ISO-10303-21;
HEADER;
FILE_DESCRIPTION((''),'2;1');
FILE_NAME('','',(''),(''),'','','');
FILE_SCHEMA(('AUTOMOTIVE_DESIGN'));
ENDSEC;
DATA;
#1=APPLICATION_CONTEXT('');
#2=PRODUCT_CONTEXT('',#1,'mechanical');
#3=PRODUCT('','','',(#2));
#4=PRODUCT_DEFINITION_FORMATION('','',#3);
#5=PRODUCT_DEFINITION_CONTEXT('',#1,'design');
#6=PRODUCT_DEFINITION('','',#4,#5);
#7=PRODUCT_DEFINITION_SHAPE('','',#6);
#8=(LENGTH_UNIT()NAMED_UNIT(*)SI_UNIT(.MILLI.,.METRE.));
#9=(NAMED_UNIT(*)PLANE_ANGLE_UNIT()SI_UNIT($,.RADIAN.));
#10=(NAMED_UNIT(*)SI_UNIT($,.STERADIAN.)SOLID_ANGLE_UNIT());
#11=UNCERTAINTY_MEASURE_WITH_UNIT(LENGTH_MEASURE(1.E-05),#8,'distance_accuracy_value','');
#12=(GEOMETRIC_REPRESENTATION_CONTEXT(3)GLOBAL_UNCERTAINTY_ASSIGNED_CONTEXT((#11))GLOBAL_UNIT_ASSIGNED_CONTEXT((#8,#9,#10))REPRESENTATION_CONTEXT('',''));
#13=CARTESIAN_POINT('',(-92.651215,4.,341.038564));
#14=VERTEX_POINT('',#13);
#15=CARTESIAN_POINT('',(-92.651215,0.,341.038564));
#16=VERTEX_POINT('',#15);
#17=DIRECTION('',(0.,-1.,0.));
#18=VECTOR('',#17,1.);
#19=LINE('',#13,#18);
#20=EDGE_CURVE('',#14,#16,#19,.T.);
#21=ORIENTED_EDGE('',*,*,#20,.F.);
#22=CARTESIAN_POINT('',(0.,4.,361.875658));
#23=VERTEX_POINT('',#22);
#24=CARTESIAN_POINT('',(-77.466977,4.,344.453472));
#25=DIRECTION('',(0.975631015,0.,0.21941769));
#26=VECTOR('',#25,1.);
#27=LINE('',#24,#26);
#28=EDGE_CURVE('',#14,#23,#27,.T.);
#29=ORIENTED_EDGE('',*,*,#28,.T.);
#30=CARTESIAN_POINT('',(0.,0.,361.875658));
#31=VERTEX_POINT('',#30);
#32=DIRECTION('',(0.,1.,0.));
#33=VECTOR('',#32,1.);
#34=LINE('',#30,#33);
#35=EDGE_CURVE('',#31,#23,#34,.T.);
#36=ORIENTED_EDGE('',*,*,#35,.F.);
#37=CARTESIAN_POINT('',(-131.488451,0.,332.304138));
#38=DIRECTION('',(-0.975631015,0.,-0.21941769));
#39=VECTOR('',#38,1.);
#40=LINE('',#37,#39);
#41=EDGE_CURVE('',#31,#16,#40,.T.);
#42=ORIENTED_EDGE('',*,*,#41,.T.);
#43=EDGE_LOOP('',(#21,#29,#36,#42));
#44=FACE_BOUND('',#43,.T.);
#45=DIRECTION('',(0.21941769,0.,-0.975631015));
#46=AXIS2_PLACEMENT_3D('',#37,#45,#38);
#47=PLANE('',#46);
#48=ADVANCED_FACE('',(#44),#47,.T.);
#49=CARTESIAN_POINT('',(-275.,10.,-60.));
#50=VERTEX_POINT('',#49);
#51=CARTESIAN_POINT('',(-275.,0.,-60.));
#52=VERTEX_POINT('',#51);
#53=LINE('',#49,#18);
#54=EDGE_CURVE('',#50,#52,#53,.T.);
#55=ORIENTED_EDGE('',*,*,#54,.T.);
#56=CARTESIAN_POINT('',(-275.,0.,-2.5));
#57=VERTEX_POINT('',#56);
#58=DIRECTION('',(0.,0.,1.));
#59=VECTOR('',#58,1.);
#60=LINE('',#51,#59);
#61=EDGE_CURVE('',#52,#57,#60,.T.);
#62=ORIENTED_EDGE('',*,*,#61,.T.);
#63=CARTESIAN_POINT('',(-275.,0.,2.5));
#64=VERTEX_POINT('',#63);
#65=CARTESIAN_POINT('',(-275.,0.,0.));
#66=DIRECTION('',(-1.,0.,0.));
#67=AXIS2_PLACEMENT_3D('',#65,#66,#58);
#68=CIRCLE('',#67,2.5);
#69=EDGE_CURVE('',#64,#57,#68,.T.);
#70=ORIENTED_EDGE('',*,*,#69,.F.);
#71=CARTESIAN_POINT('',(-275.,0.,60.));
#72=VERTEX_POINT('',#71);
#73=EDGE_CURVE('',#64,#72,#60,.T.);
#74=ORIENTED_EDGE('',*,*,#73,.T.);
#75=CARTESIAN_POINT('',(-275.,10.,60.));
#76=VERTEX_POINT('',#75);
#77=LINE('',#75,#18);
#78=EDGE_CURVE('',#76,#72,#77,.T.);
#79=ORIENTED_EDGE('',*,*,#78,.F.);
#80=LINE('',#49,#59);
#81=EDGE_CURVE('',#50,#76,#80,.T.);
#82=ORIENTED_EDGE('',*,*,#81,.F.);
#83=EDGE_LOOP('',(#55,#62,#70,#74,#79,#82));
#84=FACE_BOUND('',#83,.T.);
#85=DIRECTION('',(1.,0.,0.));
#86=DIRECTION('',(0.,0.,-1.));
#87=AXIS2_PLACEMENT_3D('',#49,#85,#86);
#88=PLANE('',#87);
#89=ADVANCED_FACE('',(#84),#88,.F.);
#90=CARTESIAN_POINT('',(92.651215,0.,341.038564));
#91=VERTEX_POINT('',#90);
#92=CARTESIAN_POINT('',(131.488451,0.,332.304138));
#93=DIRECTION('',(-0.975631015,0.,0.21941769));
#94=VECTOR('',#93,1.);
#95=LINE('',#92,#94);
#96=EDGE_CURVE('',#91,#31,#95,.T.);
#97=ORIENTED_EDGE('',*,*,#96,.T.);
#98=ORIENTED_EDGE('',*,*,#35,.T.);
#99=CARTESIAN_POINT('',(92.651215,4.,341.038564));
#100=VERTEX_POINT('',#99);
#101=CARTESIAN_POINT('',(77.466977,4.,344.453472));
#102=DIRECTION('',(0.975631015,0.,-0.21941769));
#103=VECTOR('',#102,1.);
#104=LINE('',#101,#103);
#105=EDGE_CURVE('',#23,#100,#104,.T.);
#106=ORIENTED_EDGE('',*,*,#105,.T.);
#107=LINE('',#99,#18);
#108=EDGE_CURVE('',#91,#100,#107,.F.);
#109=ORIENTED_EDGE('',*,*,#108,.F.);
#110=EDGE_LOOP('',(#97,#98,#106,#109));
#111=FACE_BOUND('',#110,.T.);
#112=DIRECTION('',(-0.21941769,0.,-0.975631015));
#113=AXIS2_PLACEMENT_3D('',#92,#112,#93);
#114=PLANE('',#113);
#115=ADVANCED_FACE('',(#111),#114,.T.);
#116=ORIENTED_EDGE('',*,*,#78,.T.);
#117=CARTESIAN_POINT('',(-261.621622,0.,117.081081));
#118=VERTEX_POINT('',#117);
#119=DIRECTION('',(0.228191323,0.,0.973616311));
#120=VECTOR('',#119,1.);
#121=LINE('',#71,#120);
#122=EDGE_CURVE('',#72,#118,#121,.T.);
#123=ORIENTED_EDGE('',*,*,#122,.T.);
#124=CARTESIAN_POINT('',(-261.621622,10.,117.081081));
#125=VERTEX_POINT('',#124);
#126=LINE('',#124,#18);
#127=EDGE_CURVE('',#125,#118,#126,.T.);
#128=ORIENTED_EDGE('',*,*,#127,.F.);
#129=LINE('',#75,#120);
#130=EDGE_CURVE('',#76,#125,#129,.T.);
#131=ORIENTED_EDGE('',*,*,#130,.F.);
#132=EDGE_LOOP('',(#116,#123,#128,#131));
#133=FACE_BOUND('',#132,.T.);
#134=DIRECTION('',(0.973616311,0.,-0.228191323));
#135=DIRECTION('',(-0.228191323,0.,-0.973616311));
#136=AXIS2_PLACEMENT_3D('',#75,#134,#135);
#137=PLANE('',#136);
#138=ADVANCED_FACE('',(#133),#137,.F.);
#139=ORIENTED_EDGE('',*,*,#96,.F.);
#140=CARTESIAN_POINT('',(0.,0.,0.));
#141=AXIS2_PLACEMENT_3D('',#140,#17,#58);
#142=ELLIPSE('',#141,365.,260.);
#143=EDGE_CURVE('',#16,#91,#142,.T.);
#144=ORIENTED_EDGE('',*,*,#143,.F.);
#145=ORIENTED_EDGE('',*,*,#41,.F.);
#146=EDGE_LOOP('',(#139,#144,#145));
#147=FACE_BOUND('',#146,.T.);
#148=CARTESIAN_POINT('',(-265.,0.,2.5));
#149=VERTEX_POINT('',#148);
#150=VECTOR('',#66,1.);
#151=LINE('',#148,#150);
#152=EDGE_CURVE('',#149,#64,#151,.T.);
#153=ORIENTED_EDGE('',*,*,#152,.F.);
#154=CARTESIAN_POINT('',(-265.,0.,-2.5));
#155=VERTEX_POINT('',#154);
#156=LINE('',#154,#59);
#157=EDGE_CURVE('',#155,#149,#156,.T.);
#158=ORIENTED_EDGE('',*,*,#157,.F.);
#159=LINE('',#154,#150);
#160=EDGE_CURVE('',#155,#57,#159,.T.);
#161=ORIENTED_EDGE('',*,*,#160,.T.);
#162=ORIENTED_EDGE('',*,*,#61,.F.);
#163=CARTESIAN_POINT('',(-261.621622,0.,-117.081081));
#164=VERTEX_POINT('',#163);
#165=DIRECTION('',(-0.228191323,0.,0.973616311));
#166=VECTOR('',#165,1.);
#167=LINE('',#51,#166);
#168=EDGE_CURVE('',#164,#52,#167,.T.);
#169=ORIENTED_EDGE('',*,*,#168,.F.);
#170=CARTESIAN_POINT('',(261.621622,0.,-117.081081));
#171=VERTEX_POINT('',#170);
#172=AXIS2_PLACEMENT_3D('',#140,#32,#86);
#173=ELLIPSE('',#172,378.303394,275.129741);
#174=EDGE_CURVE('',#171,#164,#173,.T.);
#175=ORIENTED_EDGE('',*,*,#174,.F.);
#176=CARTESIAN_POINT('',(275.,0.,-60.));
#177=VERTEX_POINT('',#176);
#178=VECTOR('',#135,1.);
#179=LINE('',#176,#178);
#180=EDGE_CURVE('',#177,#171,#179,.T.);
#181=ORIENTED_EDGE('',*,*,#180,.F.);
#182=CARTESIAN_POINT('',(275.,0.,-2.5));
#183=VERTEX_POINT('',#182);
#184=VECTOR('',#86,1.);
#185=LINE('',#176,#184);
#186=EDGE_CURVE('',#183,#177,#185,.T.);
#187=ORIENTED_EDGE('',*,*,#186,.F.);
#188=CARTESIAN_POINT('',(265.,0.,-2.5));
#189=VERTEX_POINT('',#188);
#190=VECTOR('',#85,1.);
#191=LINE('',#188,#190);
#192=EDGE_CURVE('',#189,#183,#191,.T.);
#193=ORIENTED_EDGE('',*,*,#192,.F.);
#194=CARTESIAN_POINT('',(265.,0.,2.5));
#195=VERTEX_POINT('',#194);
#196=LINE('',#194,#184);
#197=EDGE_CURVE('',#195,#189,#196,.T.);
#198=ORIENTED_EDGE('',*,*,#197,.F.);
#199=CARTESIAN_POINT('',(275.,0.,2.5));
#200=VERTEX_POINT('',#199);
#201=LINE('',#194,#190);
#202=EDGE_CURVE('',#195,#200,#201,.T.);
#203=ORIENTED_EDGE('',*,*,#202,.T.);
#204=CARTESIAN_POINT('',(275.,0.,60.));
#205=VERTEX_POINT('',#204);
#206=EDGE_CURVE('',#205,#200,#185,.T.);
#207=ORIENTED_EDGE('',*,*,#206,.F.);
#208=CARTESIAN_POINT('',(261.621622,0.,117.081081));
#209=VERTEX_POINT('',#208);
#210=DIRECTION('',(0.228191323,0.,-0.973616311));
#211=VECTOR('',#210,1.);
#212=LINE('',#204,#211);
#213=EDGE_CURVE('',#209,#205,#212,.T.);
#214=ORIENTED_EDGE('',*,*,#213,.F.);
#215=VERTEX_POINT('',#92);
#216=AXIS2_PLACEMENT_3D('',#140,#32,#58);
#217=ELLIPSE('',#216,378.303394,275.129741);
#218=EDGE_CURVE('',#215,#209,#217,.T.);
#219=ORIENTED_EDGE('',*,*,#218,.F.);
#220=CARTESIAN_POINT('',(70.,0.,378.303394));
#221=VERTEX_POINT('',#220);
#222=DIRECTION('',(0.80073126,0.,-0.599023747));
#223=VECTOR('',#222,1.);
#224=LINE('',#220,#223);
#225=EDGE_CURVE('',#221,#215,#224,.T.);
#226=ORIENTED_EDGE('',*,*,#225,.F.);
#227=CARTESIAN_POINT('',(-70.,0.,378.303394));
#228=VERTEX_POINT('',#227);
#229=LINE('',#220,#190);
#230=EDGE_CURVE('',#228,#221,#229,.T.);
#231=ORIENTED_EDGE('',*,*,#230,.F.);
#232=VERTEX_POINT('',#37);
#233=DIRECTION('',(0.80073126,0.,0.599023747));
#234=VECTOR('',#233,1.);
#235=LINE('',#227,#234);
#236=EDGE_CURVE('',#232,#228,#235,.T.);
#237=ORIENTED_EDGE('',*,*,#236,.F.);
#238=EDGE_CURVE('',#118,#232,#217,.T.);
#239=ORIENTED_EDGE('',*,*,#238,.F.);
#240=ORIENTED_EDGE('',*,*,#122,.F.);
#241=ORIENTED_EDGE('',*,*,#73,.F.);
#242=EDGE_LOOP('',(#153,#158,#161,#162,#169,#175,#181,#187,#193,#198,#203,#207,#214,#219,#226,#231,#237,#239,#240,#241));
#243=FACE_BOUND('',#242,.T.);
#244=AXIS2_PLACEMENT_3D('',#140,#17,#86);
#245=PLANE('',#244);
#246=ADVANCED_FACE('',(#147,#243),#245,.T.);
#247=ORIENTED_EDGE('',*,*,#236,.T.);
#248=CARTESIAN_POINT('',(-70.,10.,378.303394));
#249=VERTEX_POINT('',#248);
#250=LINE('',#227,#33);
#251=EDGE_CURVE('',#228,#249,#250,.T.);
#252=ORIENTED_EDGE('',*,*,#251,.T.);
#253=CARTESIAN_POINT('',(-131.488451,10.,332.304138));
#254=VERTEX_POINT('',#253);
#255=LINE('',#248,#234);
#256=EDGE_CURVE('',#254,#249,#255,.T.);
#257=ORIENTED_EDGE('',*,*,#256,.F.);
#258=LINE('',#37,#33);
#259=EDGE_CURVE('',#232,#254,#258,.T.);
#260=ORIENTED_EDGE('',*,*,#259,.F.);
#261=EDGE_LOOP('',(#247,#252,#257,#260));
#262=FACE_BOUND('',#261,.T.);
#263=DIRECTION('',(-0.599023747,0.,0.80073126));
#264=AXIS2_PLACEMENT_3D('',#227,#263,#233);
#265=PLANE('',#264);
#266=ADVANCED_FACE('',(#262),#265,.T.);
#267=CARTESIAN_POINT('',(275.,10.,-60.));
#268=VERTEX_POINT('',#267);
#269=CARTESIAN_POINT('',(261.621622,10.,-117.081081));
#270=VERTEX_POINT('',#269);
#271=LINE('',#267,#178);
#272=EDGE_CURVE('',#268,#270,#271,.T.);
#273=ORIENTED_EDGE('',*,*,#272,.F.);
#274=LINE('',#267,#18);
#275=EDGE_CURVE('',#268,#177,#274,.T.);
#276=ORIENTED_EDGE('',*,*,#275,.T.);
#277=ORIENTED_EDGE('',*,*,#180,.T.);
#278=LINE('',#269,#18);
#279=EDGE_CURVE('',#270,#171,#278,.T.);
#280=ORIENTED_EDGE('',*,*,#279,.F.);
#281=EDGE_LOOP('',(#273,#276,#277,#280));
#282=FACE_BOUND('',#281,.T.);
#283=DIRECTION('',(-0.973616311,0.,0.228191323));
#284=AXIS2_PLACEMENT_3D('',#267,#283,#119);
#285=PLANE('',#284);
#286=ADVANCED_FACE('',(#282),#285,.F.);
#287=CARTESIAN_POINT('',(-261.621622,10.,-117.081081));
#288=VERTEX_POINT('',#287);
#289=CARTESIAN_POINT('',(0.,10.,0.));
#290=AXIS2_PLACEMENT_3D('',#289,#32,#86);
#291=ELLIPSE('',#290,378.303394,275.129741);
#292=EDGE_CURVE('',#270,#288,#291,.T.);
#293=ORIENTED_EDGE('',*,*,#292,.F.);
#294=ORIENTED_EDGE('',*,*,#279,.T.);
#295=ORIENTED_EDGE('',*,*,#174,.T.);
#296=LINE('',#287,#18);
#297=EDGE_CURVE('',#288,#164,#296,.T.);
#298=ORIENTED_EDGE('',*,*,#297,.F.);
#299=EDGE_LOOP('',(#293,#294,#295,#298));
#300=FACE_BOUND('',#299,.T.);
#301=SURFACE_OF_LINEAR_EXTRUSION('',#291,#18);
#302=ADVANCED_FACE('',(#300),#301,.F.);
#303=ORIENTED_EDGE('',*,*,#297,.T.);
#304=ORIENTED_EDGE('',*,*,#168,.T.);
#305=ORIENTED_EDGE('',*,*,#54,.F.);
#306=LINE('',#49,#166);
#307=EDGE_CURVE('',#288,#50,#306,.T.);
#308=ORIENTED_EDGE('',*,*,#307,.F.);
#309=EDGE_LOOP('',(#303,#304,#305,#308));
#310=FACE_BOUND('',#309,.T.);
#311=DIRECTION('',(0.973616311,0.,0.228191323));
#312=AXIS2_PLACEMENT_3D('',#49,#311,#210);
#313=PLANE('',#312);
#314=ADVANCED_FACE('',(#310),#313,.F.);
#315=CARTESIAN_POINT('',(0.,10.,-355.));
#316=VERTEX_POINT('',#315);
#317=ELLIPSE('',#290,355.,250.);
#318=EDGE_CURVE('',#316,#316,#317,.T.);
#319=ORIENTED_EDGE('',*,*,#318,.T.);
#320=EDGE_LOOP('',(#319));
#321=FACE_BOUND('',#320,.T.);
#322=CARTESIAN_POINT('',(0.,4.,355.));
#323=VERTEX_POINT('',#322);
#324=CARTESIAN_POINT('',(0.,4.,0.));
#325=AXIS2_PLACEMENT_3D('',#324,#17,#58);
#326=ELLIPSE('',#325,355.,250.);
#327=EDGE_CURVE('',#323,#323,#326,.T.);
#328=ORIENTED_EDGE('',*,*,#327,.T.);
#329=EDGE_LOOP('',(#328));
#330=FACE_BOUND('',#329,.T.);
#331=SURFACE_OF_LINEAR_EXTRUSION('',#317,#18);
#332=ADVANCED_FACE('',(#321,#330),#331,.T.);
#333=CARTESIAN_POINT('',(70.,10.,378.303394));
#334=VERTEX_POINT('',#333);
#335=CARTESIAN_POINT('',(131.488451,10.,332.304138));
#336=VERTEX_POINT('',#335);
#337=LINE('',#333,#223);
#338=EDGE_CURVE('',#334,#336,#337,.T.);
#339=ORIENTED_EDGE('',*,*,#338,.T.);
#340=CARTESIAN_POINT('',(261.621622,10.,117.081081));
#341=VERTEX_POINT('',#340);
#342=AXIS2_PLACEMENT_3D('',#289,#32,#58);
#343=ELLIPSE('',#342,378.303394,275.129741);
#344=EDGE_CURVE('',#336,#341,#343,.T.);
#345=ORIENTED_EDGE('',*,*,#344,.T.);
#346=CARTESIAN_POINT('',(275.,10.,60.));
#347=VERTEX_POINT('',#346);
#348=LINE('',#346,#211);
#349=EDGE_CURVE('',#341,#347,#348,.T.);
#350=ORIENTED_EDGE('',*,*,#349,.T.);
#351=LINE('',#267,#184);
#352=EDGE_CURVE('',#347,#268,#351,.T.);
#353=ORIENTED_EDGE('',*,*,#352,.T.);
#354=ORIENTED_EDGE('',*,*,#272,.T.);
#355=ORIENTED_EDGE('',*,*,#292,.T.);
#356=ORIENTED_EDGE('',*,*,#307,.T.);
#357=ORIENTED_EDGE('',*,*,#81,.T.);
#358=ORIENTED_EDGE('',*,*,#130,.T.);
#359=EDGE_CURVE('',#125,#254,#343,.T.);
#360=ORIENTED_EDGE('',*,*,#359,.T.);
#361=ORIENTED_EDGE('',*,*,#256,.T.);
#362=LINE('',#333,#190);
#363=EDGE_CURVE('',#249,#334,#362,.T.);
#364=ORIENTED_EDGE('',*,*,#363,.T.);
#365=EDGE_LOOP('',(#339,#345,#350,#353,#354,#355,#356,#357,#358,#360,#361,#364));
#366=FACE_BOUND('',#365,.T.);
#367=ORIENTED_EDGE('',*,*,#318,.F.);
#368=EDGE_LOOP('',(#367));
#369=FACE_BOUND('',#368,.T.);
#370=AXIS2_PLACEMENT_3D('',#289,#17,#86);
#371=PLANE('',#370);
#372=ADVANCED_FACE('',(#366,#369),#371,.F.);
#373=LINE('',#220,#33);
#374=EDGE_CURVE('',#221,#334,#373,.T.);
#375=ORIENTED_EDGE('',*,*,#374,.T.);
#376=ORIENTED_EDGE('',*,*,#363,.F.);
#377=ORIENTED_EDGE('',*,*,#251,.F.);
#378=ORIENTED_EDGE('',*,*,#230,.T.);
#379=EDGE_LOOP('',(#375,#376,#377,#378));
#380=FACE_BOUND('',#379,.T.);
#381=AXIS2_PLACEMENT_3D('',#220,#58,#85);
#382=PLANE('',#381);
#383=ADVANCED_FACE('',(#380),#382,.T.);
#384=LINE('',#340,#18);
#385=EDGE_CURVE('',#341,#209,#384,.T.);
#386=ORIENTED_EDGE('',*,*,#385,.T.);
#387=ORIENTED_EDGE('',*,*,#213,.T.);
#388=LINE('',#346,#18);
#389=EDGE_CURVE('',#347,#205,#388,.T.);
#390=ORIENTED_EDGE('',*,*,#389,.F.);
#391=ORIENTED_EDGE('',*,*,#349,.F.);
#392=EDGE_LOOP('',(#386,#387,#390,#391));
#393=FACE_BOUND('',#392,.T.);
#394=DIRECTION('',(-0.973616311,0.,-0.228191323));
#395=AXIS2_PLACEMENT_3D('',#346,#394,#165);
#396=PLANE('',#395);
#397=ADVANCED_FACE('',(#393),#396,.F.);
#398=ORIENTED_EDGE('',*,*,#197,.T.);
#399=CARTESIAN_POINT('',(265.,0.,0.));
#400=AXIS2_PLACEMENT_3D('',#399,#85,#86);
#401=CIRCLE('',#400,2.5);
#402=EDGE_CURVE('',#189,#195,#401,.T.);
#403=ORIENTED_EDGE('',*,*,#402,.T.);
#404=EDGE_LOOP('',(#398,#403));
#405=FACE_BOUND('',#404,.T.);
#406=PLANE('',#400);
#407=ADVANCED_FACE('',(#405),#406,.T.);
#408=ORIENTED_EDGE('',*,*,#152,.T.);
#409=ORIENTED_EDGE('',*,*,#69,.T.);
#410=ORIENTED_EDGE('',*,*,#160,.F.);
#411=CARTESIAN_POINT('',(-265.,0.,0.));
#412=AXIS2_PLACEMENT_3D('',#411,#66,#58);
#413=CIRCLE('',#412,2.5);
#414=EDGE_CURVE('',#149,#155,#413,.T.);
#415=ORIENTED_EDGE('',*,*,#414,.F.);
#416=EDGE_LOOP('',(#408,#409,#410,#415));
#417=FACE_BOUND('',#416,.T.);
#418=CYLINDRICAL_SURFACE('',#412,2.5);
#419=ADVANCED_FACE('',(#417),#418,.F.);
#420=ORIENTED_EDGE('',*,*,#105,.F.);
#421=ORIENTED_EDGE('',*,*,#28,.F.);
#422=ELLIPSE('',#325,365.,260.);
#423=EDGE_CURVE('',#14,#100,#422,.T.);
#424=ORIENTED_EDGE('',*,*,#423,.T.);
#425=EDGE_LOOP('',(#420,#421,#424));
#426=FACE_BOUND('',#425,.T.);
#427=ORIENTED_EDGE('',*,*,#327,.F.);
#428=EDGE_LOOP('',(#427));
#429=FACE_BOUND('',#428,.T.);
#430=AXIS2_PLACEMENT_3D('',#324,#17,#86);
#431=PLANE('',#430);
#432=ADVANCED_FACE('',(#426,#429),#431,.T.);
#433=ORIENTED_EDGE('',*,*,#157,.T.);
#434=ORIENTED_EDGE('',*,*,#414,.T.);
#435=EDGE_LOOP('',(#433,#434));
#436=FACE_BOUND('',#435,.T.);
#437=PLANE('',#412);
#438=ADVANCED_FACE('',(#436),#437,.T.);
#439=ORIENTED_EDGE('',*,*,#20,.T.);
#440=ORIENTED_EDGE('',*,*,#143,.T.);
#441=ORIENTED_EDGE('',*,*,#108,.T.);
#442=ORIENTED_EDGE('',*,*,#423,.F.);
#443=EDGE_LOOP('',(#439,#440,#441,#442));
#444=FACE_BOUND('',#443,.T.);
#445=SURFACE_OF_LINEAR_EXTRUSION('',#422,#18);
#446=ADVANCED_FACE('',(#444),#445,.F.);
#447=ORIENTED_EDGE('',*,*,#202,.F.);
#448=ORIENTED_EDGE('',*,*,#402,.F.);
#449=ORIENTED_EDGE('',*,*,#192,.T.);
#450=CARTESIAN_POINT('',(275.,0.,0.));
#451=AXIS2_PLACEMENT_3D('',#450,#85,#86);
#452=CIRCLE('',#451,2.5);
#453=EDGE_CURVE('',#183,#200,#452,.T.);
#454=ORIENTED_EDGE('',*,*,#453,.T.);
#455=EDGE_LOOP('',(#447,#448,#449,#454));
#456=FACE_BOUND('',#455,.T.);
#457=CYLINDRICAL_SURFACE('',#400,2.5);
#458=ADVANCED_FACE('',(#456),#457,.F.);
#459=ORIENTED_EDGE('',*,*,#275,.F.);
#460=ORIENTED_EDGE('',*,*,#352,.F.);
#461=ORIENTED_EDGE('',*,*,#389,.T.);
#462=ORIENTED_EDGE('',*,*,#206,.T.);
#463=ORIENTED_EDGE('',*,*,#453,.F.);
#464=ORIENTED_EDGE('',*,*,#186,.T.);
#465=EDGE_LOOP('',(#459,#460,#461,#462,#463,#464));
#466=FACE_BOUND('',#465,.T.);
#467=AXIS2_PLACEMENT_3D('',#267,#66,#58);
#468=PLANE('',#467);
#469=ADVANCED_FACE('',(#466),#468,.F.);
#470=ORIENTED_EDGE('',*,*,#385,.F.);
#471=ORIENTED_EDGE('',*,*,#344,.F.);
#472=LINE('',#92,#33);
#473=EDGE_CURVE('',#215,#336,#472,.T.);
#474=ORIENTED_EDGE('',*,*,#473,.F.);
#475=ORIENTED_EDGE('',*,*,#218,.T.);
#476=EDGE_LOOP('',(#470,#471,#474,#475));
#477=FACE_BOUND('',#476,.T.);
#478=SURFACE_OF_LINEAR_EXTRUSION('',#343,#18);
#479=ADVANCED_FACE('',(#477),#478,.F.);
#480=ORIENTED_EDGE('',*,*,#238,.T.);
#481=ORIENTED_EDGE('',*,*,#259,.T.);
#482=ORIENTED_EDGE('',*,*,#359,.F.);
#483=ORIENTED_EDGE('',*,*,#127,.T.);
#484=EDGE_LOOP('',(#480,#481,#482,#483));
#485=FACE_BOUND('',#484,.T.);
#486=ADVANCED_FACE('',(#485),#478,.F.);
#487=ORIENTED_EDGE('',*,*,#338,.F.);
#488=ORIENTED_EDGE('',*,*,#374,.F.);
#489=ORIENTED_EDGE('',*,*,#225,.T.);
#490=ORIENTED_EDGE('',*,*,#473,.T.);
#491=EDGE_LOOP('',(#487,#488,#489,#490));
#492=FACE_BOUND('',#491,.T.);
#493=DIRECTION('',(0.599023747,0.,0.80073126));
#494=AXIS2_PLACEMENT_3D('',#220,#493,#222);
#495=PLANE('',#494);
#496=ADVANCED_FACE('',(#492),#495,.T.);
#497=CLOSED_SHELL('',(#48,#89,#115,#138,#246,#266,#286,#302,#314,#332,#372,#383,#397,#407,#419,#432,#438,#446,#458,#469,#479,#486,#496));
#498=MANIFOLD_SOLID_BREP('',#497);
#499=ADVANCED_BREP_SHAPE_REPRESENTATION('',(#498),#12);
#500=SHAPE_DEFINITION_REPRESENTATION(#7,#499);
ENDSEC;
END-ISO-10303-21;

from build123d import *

# Parameters (mm, degrees)
SKETCH1_RX          = 355
SKETCH1_RY          = 250
BOSS_EXTRUDE1_DEPTH = 10
SKETCH2_RX          = 365
SKETCH2_RY          = 260
SKETCH2_RX_2        = 355
SKETCH2_RY_2        = 250
CUT_EXTRUDE1_DEPTH  = 4
BOSS_EXTRUDE2_DEPTH = 10
CUT_EXTRUDE4_DEPTH  = 10
CUT_EXTRUDE5_DEPTH  = 10


with BuildPart() as part:
    # Sketch1 → Boss-Extrude1 (new body)
    with BuildSketch(Plane(origin=(0, 0, 0), x_dir=(1, 0, 0), z_dir=(0, 1, 0))):
        with BuildLine():
            Line((-275, 60), (-275, -60))
            Line((-275, -60), (-261.621622, -117.081081))
            add(Edge.make_bspline(
                [(-261.621622, -117.081081), (0, -1222.344863), (261.621622, -117.081081)],
                knots=[5.027046, 5.027046, 5.027046, 7.539325, 7.539325, 7.539325], degree=2, weights=[1, 0.30949, 1]))
            Line((261.621622, -117.081081), (275, -60))
            Line((275, -60), (275, 60))
            Line((275, 60), (261.621622, 117.081081))
            add(Edge.make_bspline(
                [(261.621622, 117.081081), (0, 1222.344863), (-261.621622, 117.081081)],
                knots=[5.027046, 5.027046, 5.027046, 7.539325, 7.539325, 7.539325], degree=2, weights=[1, 0.30949, 1]))
            Line((-261.621622, 117.081081), (-275, 60))
        make_face()
        with Locations(Location((0, 0), (0, 0, 90))):
            Ellipse(SKETCH1_RX, SKETCH1_RY, mode=Mode.SUBTRACT)
    extrude(amount=BOSS_EXTRUDE1_DEPTH)

    # Sketch2 → Cut-Extrude1 (cut)
    with BuildSketch(Plane.XZ):
        with Locations(Location((0, 0), (0, 0, 90))):
            Ellipse(SKETCH2_RX, SKETCH2_RY)
        with Locations(Location((0, 0), (0, 0, 90))):
            Ellipse(SKETCH2_RX_2, SKETCH2_RY_2, mode=Mode.SUBTRACT)
    extrude(amount=-CUT_EXTRUDE1_DEPTH, mode=Mode.SUBTRACT)

    # Sketch3 → Boss-Extrude2 (add)
    with BuildSketch(Plane(origin=(0, 10, 0), x_dir=(1, 0, 0), z_dir=(0, 1, 0))):
        Polygon((70, -378.303394), (-70, -378.303394), (-131.488451, -332.304138), (0, -361.875658), (131.488451, -332.304138), align=None)
    extrude(amount=-BOSS_EXTRUDE2_DEPTH)

    # Sketch4 → Cut-Extrude4 (cut)
    with BuildSketch(Plane.ZY.offset(275)):
        with BuildLine():
            Line((-2.5, 0), (2.5, 0))
            ThreePointArc((2.5, 0), (0, 2.5), (-2.5, 0))
        make_face()
    extrude(amount=-CUT_EXTRUDE4_DEPTH, mode=Mode.SUBTRACT)

    # Sketch5 → Cut-Extrude5 (cut)
    with BuildSketch(Plane(origin=(275, 0, 0), x_dir=(0, 0, -1), z_dir=(1, 0, 0))):
        with BuildLine():
            Line((-2.5, 0), (2.5, 0))
            ThreePointArc((2.5, 0), (0, 2.5), (-2.5, 0))
        make_face()
    extrude(amount=-CUT_EXTRUDE5_DEPTH, mode=Mode.SUBTRACT)


solid = part.part
